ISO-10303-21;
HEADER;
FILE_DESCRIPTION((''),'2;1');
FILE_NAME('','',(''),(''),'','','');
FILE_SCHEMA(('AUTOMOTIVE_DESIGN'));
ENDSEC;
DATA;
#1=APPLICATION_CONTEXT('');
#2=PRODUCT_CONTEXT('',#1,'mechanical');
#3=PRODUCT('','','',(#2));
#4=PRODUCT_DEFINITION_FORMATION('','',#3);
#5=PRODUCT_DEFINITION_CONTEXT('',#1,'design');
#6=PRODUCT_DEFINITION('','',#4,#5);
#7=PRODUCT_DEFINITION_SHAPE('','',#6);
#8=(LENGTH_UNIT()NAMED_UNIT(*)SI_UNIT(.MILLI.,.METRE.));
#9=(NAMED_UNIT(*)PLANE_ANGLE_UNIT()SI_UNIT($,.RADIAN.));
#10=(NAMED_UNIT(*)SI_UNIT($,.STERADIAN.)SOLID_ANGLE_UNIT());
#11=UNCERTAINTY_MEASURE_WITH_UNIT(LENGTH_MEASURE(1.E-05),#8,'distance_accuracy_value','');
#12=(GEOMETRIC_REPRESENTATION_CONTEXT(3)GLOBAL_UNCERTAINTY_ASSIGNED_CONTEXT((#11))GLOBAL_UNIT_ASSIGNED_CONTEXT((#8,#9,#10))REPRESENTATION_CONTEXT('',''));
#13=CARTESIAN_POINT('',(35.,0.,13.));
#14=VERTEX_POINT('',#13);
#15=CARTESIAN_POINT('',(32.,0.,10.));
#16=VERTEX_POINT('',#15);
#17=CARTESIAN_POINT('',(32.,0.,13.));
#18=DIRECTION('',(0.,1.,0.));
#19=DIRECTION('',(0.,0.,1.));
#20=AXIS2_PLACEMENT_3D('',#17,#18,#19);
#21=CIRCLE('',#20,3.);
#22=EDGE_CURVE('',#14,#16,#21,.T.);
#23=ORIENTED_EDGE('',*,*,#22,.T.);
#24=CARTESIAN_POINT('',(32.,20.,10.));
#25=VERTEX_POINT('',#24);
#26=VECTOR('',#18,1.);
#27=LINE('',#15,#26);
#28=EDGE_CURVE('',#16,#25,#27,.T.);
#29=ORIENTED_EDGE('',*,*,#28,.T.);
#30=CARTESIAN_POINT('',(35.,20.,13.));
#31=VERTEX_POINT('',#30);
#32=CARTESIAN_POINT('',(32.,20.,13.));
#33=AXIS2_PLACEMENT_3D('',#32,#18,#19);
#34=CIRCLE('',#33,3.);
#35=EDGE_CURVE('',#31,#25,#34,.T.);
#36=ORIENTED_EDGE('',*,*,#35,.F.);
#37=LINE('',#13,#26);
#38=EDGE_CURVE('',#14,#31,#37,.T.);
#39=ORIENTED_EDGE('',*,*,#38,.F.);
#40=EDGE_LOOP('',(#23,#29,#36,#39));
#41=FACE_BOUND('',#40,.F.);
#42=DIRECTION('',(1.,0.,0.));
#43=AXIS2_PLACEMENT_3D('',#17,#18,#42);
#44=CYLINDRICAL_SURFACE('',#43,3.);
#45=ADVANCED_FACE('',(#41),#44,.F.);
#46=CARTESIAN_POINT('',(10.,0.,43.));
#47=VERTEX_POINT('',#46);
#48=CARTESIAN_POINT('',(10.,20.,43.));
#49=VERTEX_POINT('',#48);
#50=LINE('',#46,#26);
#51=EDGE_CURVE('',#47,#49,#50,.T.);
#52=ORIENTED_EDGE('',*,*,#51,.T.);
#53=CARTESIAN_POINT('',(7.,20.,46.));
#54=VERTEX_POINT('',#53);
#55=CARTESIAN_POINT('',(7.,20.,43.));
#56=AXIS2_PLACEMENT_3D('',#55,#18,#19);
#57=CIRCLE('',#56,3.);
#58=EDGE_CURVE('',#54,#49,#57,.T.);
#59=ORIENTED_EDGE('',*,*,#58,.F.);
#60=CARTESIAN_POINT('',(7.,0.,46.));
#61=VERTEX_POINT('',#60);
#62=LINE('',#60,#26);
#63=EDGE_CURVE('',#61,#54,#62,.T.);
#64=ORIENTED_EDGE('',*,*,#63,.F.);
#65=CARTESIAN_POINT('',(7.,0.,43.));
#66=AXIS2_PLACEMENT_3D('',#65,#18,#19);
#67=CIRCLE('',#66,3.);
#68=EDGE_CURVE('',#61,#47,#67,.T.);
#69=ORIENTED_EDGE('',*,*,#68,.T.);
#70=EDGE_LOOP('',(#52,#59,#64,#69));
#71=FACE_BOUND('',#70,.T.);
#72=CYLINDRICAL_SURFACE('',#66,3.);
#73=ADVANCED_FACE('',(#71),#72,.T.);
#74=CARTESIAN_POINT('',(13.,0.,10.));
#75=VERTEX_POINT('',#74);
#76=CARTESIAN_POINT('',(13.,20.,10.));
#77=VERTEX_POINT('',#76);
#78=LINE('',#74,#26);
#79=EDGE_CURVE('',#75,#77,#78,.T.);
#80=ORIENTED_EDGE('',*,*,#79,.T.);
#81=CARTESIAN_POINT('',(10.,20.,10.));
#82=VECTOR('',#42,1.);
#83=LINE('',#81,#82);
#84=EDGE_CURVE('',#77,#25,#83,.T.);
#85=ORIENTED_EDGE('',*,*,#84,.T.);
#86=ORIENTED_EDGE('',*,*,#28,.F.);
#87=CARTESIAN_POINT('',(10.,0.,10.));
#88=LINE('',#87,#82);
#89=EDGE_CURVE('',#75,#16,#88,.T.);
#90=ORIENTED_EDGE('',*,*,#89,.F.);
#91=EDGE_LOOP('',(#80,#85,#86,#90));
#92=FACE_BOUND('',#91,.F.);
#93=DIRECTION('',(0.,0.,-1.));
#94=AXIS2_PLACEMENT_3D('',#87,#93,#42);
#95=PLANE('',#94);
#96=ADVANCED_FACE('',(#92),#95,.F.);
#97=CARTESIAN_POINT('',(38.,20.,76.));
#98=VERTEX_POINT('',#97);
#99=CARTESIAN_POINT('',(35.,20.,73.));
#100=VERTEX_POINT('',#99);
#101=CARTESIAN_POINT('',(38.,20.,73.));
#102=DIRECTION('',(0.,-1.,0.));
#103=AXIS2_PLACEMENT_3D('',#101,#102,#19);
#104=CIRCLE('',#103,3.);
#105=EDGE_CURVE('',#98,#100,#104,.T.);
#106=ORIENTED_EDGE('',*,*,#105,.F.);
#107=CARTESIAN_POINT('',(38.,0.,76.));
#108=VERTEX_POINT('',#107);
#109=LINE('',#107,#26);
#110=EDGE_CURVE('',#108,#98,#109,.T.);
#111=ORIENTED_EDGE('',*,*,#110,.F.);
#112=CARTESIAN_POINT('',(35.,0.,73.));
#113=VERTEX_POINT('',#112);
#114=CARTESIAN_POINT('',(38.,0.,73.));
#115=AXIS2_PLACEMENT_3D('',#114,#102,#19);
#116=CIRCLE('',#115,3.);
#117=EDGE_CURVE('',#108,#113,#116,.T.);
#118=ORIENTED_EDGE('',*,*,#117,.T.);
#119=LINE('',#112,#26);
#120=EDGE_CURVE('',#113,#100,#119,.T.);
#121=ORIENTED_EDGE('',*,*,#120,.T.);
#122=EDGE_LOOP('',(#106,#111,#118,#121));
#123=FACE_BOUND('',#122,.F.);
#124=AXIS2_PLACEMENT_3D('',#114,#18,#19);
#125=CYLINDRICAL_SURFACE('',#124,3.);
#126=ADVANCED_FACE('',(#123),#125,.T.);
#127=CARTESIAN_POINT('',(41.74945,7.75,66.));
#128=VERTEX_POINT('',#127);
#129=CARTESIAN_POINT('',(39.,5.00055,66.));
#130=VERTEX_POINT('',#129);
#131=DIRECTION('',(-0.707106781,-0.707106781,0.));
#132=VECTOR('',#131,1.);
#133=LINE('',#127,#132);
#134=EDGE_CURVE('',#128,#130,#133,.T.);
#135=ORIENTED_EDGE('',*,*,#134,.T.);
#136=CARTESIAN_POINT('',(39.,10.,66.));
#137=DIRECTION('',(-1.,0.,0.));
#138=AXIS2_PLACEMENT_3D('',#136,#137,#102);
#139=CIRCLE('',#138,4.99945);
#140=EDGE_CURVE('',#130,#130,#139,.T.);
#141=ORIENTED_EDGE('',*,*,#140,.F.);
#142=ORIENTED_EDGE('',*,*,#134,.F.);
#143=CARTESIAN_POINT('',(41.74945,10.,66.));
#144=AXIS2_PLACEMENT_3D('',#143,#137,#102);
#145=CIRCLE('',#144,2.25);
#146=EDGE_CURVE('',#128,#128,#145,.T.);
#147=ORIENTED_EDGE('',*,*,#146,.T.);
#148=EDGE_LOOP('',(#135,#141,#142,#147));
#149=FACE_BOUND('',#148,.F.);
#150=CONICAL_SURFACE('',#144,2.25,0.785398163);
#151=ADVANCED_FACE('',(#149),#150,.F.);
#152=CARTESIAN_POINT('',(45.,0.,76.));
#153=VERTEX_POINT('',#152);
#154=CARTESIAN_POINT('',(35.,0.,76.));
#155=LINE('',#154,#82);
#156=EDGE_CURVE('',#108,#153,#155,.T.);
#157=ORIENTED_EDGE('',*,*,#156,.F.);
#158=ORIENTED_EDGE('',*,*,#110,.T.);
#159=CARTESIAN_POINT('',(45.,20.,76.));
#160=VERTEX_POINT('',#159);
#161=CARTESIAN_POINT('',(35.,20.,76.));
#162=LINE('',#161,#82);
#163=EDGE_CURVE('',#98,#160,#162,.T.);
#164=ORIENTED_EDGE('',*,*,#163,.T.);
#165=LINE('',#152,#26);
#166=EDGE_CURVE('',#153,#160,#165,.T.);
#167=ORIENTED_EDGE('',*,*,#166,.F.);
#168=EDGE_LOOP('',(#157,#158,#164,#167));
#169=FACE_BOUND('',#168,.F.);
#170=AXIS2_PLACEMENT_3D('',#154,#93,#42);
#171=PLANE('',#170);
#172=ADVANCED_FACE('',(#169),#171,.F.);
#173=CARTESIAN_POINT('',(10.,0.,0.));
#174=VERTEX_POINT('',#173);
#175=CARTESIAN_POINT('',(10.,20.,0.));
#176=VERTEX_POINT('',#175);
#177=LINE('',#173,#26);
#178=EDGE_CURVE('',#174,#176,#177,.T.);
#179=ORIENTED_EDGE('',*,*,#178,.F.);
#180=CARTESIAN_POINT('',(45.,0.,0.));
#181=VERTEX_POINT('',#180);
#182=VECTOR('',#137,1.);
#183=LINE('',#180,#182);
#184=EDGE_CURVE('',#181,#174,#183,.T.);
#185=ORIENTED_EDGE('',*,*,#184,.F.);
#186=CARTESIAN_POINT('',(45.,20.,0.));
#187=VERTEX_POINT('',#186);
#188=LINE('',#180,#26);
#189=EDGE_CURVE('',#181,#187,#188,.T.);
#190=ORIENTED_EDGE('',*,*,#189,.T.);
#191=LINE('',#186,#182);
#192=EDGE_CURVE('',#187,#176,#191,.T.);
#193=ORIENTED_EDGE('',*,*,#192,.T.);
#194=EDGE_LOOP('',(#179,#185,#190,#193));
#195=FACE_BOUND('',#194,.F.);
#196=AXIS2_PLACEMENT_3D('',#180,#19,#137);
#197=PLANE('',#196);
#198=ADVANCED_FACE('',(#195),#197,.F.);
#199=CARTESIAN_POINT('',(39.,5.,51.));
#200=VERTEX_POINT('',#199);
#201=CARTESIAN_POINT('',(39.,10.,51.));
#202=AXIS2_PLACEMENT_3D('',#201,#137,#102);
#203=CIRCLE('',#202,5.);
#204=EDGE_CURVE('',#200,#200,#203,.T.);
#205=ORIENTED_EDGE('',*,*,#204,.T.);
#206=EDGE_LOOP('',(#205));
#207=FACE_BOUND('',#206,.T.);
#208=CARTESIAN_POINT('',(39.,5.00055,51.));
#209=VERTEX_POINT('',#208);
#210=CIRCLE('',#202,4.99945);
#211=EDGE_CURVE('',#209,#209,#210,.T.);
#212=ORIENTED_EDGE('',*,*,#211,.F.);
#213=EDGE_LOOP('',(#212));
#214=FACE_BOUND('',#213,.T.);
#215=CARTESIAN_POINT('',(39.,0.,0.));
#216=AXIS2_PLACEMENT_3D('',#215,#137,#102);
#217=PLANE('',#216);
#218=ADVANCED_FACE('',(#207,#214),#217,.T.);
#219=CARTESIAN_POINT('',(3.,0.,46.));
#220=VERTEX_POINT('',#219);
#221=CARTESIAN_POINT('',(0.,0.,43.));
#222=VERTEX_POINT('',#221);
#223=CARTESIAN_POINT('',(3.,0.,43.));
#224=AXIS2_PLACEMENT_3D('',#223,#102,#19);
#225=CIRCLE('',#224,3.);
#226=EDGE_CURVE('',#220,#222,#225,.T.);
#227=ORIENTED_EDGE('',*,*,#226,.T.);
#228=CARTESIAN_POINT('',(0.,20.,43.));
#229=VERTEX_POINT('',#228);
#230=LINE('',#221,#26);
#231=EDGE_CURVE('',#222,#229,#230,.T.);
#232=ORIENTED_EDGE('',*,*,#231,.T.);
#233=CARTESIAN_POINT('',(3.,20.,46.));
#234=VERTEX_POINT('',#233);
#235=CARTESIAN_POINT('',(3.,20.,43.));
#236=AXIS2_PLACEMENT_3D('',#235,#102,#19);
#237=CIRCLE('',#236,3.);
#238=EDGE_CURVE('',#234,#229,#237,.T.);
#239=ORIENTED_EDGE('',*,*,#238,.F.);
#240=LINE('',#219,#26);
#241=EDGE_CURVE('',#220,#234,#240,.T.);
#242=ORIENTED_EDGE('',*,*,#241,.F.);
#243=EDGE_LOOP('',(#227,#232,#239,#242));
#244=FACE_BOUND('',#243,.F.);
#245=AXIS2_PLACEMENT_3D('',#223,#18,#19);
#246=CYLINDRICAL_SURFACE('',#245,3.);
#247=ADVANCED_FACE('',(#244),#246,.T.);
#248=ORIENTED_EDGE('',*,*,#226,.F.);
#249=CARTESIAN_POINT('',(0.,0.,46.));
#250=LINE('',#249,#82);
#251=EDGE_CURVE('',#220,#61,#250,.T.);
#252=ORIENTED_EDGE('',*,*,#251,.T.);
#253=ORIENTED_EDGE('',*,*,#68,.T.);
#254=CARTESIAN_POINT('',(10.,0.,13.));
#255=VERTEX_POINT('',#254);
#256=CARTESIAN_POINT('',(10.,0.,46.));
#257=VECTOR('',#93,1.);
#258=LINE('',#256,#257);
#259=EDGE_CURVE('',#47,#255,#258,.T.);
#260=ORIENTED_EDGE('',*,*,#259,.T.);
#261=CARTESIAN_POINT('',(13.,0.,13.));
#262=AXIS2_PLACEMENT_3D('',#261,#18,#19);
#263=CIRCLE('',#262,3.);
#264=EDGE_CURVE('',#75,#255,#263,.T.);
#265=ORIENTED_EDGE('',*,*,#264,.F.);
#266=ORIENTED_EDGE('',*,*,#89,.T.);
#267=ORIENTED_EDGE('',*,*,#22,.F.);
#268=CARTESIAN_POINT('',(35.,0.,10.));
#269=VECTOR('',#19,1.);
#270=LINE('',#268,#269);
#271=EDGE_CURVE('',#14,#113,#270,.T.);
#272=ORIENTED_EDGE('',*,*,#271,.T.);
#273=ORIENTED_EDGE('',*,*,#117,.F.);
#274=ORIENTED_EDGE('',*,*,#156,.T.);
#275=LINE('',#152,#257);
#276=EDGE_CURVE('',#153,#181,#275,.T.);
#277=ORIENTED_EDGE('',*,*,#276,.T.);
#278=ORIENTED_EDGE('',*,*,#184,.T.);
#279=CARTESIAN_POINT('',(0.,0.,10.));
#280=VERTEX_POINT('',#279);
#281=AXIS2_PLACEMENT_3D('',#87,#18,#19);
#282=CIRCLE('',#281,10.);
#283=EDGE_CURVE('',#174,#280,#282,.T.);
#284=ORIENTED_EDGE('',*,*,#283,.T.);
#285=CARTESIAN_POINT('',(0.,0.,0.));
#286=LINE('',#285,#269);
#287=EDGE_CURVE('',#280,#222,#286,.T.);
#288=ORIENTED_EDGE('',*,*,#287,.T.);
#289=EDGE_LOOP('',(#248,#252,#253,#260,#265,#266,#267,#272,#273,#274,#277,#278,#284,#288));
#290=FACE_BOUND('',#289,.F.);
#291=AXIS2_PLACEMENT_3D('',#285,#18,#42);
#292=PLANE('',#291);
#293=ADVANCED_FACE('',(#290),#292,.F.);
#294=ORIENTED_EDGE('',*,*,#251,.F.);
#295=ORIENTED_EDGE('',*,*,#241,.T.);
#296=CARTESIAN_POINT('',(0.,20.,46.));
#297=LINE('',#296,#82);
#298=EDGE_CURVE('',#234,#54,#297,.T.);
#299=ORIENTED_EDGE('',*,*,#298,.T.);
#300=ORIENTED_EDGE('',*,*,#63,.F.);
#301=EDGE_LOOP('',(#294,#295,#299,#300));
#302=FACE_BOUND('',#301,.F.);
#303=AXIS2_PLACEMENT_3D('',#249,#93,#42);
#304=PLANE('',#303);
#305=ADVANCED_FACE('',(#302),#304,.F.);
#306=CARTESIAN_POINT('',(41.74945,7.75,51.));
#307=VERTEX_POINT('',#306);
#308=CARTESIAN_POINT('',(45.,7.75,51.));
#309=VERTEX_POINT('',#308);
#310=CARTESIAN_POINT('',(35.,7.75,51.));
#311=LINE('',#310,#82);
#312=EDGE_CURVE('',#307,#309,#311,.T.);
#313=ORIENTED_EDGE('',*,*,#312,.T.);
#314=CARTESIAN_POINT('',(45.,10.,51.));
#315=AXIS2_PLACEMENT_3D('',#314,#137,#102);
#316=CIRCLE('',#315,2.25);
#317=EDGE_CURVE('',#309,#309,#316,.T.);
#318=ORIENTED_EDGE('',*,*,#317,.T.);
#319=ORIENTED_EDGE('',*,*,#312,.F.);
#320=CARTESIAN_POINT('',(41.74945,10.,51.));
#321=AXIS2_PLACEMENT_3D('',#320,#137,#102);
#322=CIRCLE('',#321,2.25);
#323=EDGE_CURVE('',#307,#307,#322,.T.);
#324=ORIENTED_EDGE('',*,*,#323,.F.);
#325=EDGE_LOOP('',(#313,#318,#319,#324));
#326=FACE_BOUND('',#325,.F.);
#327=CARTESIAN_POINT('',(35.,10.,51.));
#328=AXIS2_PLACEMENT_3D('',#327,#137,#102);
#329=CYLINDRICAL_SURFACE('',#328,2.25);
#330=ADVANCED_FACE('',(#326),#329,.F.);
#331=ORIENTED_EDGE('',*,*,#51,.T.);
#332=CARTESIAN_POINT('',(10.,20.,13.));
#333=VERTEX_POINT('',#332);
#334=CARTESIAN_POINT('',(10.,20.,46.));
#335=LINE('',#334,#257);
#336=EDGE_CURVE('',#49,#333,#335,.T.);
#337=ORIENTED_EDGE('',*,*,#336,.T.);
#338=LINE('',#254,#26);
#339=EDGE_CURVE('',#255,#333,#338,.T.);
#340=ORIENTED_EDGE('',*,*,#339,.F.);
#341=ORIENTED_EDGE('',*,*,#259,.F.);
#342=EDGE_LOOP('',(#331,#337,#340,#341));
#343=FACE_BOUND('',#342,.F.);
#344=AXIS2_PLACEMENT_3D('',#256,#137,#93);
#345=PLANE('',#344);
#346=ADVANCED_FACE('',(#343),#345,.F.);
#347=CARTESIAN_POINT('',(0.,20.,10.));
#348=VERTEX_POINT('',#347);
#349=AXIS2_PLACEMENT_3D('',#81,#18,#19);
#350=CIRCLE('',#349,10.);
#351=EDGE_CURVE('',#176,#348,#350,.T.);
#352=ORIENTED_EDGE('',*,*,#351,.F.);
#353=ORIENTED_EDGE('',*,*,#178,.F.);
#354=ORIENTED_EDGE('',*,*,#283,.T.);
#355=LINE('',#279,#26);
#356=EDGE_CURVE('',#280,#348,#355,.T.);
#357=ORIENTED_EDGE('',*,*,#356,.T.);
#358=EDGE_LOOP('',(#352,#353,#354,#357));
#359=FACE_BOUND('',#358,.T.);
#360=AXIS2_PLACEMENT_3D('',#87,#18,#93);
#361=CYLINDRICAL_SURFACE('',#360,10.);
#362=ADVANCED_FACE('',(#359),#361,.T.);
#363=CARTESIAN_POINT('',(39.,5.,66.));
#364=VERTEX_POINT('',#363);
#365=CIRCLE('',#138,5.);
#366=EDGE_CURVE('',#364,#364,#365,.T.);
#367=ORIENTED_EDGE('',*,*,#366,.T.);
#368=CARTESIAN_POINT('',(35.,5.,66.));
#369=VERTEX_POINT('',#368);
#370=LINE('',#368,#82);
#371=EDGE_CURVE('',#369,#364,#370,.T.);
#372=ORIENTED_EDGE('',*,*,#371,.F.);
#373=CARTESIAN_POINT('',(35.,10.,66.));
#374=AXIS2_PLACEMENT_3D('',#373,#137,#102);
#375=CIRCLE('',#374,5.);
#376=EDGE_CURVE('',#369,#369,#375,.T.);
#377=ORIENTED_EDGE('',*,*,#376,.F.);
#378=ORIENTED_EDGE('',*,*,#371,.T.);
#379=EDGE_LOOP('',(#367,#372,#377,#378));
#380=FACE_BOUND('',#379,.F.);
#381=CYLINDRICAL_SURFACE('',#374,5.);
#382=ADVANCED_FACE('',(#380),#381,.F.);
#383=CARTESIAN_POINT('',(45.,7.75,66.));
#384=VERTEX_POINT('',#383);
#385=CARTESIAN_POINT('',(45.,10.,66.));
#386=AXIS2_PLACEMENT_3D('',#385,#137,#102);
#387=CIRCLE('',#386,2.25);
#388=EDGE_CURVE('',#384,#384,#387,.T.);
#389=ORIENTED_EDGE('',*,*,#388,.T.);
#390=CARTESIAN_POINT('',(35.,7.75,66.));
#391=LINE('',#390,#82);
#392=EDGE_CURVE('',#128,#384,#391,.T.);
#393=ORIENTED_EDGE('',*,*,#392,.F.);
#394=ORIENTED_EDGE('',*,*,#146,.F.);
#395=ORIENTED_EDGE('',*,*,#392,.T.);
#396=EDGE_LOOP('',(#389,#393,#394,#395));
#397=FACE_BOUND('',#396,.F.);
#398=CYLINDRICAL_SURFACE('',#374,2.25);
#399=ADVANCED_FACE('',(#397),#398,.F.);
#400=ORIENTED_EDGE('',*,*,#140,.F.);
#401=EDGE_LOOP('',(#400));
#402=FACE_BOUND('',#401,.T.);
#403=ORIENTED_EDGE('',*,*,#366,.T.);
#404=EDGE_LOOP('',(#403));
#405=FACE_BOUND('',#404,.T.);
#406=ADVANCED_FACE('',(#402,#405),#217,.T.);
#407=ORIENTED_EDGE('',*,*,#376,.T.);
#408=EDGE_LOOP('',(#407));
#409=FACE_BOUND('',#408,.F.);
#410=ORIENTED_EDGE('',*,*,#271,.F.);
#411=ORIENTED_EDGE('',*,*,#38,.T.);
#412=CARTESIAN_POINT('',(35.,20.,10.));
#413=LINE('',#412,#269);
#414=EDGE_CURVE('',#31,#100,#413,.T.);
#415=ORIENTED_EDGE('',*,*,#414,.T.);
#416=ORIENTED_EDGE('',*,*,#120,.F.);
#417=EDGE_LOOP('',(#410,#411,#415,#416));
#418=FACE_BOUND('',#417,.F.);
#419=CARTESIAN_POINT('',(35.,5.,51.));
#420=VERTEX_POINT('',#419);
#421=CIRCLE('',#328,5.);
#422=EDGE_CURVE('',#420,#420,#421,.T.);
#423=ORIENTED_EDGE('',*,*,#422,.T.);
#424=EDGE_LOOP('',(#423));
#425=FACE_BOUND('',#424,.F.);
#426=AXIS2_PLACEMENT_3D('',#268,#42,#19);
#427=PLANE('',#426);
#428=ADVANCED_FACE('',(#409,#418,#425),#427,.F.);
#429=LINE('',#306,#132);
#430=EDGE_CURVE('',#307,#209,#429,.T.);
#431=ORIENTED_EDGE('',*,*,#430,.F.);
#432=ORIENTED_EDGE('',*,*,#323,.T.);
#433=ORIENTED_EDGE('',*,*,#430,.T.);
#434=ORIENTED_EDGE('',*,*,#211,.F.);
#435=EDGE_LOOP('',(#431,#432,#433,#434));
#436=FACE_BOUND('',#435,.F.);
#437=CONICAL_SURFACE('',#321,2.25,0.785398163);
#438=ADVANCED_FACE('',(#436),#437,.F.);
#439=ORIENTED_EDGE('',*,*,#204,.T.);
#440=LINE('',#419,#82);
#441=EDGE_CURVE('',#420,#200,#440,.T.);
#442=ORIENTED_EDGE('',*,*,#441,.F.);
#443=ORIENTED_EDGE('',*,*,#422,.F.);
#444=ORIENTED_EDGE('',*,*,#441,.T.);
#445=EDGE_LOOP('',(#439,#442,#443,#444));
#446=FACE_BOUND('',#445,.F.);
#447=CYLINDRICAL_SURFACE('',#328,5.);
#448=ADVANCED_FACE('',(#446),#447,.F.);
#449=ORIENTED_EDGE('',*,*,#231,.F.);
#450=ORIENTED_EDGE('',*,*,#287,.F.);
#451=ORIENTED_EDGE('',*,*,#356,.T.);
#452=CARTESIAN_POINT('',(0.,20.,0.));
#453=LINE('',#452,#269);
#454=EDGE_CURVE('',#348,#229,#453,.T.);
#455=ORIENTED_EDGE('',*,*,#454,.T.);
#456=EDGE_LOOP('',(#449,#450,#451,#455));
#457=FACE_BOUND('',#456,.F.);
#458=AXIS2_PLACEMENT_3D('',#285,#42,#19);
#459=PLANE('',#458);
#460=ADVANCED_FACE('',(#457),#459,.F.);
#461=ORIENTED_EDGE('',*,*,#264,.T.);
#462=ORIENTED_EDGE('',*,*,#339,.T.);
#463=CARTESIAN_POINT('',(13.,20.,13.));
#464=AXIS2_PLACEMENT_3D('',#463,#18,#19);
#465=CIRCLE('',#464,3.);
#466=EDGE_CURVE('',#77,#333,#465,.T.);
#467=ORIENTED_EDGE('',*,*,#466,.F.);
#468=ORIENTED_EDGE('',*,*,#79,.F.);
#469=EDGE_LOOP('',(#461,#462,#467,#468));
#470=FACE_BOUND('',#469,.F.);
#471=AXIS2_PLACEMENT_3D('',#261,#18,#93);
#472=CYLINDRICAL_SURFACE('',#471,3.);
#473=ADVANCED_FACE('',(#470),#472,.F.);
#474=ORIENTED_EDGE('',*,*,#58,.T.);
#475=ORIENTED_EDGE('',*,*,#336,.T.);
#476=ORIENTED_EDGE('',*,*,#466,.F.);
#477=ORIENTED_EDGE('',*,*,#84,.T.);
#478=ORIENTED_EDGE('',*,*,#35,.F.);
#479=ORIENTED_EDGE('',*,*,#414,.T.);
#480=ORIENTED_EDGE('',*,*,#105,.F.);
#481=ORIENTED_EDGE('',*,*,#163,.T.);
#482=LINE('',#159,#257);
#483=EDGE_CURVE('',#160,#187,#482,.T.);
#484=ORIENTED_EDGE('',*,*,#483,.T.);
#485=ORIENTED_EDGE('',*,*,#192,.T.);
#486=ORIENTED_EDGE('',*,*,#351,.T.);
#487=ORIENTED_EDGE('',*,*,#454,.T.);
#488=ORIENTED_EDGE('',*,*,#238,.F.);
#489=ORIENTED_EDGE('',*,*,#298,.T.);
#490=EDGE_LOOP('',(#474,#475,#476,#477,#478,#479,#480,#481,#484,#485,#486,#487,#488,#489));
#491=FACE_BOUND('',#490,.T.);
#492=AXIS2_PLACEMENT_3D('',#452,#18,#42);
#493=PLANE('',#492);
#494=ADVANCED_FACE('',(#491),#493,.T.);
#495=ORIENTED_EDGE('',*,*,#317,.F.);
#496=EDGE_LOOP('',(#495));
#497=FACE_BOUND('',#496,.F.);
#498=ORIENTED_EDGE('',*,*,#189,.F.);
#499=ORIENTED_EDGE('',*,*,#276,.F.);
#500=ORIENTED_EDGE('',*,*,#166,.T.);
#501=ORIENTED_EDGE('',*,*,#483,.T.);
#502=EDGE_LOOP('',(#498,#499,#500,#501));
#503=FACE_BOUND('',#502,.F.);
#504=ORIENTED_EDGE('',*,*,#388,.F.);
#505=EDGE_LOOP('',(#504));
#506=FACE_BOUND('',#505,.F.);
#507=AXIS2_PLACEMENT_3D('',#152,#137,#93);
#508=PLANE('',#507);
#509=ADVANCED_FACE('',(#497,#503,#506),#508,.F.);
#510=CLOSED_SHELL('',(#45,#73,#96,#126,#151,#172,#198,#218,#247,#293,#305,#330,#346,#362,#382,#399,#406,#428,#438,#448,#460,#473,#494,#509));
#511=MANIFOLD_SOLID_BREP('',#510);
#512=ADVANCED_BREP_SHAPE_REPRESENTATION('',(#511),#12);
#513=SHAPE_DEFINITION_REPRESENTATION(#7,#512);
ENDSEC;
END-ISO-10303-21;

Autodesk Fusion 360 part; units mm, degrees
sketch "Sketch1" plane through (0, 0, 0) normal (0, 1, 0) x (1, 0, 0)
  line L0 (10, -46) -> (10, -10)
  line L1 (10, -10) -> (35, -10)
  line L2 (35, -10) -> (35, -76)
  line L3 (35, -76) -> (45, -76)
  line L4 (45, -76) -> (45, 0)
  line L5 (45, 0) -> (0, 0)
  line L6 (0, 0) -> (0, -46)
  line L7 (0, -46) -> (10, -46)
  dimension "d1" = 36
  dimension "d2" = 25
  dimension "d3" = 10
  dimension "d4" = 10
  dimension "d5" = 10
  dimension "d6" = 30
extrude "Extrude1" add sketch "Sketch1" along normal blind 20
sketch "Sketch2" plane through (35, 0, 0) normal (-1, 0, 0) x (0, -1, 0)
  line L0 (0, 10) -> (0, 76)
  line L1 (0, 76) -> (-20, 76)
  line L2 (-20, 76) -> (-20, 10)
  line L3 (-20, 10) -> (0, 10)
  circle A0 centre (-10, 66) radius 5
  circle A1 centre (-10, 51) radius 5
  line L4 (-20, 76) -> (-10, 66) construction
  line L5 (-10, 66) -> (0, 76) construction
  line L6 (-10, 66) -> (-10, 51) construction
  circle A2 centre (-10, 66) radius 2.25
  circle A3 centre (-10, 51) radius 2.25
  dimension "d9" = 10
  dimension "d11" = 15
  dimension "d12" = 10
  dimension "d13" = 10
  dimension "d14" = 4.5
  dimension "d15" = 4.5
extrude "Extrude2" cut sketch "Sketch2" against normal up to surface (10 mm away) contours A2 | A3
extrude "Extrude3" cut sketch "Sketch2" against normal blind 4 contours A0 | A1
chamfer "Chamfer1" distance 2.75 angle 45 2 edges at (39, 12.0977, 65.1864) (39, 12.0977, 50.1864)
fillet "Fillet2" radius 3 5 edges at (35, 10, 76) (35, 10, 10) (10, 10, 10) (10, 10, 46) (0, 10, 46)
fillet "Fillet2" radius 10 1 edges at (0, 10, 0)
equation "d13 = d9"
equation "d15 = d14"
